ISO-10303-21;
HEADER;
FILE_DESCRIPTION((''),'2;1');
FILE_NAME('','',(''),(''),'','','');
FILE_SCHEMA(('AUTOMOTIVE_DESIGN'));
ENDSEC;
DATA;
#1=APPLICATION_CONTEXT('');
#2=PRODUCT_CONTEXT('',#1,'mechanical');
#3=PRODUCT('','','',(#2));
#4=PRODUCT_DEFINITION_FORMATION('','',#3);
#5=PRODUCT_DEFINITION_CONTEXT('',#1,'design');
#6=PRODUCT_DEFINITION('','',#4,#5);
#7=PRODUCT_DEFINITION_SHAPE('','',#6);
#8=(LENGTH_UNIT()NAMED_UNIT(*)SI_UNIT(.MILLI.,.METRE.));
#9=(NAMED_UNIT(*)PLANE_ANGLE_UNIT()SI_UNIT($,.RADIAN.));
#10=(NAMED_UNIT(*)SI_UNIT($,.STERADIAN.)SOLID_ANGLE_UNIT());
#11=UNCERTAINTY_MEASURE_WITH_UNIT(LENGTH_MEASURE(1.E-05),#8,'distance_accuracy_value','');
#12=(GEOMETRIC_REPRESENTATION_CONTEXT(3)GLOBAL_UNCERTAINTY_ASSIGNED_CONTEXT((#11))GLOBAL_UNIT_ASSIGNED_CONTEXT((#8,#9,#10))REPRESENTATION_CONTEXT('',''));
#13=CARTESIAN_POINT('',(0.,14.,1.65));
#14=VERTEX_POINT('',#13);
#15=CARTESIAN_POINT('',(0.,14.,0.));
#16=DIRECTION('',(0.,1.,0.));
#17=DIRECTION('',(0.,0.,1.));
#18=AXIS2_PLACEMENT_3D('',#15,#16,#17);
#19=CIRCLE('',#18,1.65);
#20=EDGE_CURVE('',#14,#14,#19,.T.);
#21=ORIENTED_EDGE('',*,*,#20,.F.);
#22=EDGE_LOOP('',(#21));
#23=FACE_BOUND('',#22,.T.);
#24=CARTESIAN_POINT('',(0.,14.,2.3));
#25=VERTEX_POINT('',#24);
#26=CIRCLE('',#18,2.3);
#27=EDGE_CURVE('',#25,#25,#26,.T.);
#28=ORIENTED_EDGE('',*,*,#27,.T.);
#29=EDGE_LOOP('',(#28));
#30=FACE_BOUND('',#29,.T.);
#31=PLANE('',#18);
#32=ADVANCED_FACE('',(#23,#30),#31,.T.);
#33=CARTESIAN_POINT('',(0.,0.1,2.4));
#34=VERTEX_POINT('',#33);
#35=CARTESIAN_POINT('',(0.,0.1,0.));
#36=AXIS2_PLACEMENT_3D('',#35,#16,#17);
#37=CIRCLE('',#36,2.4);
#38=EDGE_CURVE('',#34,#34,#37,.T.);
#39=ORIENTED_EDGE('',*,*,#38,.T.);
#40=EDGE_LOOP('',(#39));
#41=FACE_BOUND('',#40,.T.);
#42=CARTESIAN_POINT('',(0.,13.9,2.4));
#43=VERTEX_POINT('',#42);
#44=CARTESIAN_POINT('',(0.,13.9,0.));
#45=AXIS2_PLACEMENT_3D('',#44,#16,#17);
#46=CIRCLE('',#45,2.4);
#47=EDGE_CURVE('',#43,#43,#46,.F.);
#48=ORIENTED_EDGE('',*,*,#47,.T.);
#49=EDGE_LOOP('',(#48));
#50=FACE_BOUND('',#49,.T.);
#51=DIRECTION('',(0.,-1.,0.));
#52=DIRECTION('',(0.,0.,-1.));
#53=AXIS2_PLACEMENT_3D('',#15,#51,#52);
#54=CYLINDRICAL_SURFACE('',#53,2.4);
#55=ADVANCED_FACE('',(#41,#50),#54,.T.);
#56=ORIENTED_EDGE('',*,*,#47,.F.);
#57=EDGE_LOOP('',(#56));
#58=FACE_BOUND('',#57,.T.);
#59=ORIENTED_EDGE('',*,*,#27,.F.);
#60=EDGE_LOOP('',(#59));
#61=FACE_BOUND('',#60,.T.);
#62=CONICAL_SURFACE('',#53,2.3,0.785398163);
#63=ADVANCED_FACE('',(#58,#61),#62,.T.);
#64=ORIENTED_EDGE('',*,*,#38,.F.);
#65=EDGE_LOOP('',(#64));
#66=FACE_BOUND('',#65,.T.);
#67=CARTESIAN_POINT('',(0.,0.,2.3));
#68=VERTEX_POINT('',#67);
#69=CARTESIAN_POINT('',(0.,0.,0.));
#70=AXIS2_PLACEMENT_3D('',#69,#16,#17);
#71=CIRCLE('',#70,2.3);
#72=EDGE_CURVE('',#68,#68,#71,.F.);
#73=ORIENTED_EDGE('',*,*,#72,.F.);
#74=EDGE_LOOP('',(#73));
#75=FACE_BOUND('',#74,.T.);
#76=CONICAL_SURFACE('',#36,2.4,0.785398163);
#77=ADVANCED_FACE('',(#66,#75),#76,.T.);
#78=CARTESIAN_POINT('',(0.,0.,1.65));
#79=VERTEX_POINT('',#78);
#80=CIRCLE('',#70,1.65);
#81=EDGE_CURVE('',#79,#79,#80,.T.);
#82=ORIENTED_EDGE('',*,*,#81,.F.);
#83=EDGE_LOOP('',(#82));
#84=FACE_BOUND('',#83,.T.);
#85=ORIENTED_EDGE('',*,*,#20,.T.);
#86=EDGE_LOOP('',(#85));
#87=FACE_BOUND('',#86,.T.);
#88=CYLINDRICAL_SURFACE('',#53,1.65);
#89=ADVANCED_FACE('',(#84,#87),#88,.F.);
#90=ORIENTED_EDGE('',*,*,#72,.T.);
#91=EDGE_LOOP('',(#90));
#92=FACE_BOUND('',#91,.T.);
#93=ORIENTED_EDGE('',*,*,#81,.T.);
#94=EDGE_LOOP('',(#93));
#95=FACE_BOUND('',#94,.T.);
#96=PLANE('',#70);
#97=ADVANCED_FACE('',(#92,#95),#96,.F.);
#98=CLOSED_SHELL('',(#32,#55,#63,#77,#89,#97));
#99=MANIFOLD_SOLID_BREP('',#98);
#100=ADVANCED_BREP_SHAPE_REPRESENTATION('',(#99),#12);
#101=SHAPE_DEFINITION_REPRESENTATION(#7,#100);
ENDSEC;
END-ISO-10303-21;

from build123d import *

# Parameters (mm, degrees)
IZIM1_R                     = 2.4
IZIM1_R_2                   = 1.65
Y_KSEKLIK_EKSTR_ZYON1_DEPTH = 14
PAH1_SIZE                   = 0.1


with BuildPart() as part:
    # Çizim1 → Yükseklik-Ekstrüzyon1 (new body)
    with BuildSketch(Plane(origin=(0, 0, 0), x_dir=(1, 0, 0), z_dir=(0, 1, 0))):
        with Locations(Location((0, 0, 0), (0, 0, 270))):
            Circle(IZIM1_R)
        with Locations(Location((0, 0, 0), (0, 0, 270))):
            Circle(IZIM1_R_2, mode=Mode.SUBTRACT)
    extrude(amount=Y_KSEKLIK_EKSTR_ZYON1_DEPTH)

    # Pah1
    pah1_edges = [part.edges().sort_by_distance(p)[0] for p in [
        (0, 0, -2.4),
        (0, 14, -2.4),
    ]]
    chamfer(pah1_edges, length=PAH1_SIZE)


solid = part.part
